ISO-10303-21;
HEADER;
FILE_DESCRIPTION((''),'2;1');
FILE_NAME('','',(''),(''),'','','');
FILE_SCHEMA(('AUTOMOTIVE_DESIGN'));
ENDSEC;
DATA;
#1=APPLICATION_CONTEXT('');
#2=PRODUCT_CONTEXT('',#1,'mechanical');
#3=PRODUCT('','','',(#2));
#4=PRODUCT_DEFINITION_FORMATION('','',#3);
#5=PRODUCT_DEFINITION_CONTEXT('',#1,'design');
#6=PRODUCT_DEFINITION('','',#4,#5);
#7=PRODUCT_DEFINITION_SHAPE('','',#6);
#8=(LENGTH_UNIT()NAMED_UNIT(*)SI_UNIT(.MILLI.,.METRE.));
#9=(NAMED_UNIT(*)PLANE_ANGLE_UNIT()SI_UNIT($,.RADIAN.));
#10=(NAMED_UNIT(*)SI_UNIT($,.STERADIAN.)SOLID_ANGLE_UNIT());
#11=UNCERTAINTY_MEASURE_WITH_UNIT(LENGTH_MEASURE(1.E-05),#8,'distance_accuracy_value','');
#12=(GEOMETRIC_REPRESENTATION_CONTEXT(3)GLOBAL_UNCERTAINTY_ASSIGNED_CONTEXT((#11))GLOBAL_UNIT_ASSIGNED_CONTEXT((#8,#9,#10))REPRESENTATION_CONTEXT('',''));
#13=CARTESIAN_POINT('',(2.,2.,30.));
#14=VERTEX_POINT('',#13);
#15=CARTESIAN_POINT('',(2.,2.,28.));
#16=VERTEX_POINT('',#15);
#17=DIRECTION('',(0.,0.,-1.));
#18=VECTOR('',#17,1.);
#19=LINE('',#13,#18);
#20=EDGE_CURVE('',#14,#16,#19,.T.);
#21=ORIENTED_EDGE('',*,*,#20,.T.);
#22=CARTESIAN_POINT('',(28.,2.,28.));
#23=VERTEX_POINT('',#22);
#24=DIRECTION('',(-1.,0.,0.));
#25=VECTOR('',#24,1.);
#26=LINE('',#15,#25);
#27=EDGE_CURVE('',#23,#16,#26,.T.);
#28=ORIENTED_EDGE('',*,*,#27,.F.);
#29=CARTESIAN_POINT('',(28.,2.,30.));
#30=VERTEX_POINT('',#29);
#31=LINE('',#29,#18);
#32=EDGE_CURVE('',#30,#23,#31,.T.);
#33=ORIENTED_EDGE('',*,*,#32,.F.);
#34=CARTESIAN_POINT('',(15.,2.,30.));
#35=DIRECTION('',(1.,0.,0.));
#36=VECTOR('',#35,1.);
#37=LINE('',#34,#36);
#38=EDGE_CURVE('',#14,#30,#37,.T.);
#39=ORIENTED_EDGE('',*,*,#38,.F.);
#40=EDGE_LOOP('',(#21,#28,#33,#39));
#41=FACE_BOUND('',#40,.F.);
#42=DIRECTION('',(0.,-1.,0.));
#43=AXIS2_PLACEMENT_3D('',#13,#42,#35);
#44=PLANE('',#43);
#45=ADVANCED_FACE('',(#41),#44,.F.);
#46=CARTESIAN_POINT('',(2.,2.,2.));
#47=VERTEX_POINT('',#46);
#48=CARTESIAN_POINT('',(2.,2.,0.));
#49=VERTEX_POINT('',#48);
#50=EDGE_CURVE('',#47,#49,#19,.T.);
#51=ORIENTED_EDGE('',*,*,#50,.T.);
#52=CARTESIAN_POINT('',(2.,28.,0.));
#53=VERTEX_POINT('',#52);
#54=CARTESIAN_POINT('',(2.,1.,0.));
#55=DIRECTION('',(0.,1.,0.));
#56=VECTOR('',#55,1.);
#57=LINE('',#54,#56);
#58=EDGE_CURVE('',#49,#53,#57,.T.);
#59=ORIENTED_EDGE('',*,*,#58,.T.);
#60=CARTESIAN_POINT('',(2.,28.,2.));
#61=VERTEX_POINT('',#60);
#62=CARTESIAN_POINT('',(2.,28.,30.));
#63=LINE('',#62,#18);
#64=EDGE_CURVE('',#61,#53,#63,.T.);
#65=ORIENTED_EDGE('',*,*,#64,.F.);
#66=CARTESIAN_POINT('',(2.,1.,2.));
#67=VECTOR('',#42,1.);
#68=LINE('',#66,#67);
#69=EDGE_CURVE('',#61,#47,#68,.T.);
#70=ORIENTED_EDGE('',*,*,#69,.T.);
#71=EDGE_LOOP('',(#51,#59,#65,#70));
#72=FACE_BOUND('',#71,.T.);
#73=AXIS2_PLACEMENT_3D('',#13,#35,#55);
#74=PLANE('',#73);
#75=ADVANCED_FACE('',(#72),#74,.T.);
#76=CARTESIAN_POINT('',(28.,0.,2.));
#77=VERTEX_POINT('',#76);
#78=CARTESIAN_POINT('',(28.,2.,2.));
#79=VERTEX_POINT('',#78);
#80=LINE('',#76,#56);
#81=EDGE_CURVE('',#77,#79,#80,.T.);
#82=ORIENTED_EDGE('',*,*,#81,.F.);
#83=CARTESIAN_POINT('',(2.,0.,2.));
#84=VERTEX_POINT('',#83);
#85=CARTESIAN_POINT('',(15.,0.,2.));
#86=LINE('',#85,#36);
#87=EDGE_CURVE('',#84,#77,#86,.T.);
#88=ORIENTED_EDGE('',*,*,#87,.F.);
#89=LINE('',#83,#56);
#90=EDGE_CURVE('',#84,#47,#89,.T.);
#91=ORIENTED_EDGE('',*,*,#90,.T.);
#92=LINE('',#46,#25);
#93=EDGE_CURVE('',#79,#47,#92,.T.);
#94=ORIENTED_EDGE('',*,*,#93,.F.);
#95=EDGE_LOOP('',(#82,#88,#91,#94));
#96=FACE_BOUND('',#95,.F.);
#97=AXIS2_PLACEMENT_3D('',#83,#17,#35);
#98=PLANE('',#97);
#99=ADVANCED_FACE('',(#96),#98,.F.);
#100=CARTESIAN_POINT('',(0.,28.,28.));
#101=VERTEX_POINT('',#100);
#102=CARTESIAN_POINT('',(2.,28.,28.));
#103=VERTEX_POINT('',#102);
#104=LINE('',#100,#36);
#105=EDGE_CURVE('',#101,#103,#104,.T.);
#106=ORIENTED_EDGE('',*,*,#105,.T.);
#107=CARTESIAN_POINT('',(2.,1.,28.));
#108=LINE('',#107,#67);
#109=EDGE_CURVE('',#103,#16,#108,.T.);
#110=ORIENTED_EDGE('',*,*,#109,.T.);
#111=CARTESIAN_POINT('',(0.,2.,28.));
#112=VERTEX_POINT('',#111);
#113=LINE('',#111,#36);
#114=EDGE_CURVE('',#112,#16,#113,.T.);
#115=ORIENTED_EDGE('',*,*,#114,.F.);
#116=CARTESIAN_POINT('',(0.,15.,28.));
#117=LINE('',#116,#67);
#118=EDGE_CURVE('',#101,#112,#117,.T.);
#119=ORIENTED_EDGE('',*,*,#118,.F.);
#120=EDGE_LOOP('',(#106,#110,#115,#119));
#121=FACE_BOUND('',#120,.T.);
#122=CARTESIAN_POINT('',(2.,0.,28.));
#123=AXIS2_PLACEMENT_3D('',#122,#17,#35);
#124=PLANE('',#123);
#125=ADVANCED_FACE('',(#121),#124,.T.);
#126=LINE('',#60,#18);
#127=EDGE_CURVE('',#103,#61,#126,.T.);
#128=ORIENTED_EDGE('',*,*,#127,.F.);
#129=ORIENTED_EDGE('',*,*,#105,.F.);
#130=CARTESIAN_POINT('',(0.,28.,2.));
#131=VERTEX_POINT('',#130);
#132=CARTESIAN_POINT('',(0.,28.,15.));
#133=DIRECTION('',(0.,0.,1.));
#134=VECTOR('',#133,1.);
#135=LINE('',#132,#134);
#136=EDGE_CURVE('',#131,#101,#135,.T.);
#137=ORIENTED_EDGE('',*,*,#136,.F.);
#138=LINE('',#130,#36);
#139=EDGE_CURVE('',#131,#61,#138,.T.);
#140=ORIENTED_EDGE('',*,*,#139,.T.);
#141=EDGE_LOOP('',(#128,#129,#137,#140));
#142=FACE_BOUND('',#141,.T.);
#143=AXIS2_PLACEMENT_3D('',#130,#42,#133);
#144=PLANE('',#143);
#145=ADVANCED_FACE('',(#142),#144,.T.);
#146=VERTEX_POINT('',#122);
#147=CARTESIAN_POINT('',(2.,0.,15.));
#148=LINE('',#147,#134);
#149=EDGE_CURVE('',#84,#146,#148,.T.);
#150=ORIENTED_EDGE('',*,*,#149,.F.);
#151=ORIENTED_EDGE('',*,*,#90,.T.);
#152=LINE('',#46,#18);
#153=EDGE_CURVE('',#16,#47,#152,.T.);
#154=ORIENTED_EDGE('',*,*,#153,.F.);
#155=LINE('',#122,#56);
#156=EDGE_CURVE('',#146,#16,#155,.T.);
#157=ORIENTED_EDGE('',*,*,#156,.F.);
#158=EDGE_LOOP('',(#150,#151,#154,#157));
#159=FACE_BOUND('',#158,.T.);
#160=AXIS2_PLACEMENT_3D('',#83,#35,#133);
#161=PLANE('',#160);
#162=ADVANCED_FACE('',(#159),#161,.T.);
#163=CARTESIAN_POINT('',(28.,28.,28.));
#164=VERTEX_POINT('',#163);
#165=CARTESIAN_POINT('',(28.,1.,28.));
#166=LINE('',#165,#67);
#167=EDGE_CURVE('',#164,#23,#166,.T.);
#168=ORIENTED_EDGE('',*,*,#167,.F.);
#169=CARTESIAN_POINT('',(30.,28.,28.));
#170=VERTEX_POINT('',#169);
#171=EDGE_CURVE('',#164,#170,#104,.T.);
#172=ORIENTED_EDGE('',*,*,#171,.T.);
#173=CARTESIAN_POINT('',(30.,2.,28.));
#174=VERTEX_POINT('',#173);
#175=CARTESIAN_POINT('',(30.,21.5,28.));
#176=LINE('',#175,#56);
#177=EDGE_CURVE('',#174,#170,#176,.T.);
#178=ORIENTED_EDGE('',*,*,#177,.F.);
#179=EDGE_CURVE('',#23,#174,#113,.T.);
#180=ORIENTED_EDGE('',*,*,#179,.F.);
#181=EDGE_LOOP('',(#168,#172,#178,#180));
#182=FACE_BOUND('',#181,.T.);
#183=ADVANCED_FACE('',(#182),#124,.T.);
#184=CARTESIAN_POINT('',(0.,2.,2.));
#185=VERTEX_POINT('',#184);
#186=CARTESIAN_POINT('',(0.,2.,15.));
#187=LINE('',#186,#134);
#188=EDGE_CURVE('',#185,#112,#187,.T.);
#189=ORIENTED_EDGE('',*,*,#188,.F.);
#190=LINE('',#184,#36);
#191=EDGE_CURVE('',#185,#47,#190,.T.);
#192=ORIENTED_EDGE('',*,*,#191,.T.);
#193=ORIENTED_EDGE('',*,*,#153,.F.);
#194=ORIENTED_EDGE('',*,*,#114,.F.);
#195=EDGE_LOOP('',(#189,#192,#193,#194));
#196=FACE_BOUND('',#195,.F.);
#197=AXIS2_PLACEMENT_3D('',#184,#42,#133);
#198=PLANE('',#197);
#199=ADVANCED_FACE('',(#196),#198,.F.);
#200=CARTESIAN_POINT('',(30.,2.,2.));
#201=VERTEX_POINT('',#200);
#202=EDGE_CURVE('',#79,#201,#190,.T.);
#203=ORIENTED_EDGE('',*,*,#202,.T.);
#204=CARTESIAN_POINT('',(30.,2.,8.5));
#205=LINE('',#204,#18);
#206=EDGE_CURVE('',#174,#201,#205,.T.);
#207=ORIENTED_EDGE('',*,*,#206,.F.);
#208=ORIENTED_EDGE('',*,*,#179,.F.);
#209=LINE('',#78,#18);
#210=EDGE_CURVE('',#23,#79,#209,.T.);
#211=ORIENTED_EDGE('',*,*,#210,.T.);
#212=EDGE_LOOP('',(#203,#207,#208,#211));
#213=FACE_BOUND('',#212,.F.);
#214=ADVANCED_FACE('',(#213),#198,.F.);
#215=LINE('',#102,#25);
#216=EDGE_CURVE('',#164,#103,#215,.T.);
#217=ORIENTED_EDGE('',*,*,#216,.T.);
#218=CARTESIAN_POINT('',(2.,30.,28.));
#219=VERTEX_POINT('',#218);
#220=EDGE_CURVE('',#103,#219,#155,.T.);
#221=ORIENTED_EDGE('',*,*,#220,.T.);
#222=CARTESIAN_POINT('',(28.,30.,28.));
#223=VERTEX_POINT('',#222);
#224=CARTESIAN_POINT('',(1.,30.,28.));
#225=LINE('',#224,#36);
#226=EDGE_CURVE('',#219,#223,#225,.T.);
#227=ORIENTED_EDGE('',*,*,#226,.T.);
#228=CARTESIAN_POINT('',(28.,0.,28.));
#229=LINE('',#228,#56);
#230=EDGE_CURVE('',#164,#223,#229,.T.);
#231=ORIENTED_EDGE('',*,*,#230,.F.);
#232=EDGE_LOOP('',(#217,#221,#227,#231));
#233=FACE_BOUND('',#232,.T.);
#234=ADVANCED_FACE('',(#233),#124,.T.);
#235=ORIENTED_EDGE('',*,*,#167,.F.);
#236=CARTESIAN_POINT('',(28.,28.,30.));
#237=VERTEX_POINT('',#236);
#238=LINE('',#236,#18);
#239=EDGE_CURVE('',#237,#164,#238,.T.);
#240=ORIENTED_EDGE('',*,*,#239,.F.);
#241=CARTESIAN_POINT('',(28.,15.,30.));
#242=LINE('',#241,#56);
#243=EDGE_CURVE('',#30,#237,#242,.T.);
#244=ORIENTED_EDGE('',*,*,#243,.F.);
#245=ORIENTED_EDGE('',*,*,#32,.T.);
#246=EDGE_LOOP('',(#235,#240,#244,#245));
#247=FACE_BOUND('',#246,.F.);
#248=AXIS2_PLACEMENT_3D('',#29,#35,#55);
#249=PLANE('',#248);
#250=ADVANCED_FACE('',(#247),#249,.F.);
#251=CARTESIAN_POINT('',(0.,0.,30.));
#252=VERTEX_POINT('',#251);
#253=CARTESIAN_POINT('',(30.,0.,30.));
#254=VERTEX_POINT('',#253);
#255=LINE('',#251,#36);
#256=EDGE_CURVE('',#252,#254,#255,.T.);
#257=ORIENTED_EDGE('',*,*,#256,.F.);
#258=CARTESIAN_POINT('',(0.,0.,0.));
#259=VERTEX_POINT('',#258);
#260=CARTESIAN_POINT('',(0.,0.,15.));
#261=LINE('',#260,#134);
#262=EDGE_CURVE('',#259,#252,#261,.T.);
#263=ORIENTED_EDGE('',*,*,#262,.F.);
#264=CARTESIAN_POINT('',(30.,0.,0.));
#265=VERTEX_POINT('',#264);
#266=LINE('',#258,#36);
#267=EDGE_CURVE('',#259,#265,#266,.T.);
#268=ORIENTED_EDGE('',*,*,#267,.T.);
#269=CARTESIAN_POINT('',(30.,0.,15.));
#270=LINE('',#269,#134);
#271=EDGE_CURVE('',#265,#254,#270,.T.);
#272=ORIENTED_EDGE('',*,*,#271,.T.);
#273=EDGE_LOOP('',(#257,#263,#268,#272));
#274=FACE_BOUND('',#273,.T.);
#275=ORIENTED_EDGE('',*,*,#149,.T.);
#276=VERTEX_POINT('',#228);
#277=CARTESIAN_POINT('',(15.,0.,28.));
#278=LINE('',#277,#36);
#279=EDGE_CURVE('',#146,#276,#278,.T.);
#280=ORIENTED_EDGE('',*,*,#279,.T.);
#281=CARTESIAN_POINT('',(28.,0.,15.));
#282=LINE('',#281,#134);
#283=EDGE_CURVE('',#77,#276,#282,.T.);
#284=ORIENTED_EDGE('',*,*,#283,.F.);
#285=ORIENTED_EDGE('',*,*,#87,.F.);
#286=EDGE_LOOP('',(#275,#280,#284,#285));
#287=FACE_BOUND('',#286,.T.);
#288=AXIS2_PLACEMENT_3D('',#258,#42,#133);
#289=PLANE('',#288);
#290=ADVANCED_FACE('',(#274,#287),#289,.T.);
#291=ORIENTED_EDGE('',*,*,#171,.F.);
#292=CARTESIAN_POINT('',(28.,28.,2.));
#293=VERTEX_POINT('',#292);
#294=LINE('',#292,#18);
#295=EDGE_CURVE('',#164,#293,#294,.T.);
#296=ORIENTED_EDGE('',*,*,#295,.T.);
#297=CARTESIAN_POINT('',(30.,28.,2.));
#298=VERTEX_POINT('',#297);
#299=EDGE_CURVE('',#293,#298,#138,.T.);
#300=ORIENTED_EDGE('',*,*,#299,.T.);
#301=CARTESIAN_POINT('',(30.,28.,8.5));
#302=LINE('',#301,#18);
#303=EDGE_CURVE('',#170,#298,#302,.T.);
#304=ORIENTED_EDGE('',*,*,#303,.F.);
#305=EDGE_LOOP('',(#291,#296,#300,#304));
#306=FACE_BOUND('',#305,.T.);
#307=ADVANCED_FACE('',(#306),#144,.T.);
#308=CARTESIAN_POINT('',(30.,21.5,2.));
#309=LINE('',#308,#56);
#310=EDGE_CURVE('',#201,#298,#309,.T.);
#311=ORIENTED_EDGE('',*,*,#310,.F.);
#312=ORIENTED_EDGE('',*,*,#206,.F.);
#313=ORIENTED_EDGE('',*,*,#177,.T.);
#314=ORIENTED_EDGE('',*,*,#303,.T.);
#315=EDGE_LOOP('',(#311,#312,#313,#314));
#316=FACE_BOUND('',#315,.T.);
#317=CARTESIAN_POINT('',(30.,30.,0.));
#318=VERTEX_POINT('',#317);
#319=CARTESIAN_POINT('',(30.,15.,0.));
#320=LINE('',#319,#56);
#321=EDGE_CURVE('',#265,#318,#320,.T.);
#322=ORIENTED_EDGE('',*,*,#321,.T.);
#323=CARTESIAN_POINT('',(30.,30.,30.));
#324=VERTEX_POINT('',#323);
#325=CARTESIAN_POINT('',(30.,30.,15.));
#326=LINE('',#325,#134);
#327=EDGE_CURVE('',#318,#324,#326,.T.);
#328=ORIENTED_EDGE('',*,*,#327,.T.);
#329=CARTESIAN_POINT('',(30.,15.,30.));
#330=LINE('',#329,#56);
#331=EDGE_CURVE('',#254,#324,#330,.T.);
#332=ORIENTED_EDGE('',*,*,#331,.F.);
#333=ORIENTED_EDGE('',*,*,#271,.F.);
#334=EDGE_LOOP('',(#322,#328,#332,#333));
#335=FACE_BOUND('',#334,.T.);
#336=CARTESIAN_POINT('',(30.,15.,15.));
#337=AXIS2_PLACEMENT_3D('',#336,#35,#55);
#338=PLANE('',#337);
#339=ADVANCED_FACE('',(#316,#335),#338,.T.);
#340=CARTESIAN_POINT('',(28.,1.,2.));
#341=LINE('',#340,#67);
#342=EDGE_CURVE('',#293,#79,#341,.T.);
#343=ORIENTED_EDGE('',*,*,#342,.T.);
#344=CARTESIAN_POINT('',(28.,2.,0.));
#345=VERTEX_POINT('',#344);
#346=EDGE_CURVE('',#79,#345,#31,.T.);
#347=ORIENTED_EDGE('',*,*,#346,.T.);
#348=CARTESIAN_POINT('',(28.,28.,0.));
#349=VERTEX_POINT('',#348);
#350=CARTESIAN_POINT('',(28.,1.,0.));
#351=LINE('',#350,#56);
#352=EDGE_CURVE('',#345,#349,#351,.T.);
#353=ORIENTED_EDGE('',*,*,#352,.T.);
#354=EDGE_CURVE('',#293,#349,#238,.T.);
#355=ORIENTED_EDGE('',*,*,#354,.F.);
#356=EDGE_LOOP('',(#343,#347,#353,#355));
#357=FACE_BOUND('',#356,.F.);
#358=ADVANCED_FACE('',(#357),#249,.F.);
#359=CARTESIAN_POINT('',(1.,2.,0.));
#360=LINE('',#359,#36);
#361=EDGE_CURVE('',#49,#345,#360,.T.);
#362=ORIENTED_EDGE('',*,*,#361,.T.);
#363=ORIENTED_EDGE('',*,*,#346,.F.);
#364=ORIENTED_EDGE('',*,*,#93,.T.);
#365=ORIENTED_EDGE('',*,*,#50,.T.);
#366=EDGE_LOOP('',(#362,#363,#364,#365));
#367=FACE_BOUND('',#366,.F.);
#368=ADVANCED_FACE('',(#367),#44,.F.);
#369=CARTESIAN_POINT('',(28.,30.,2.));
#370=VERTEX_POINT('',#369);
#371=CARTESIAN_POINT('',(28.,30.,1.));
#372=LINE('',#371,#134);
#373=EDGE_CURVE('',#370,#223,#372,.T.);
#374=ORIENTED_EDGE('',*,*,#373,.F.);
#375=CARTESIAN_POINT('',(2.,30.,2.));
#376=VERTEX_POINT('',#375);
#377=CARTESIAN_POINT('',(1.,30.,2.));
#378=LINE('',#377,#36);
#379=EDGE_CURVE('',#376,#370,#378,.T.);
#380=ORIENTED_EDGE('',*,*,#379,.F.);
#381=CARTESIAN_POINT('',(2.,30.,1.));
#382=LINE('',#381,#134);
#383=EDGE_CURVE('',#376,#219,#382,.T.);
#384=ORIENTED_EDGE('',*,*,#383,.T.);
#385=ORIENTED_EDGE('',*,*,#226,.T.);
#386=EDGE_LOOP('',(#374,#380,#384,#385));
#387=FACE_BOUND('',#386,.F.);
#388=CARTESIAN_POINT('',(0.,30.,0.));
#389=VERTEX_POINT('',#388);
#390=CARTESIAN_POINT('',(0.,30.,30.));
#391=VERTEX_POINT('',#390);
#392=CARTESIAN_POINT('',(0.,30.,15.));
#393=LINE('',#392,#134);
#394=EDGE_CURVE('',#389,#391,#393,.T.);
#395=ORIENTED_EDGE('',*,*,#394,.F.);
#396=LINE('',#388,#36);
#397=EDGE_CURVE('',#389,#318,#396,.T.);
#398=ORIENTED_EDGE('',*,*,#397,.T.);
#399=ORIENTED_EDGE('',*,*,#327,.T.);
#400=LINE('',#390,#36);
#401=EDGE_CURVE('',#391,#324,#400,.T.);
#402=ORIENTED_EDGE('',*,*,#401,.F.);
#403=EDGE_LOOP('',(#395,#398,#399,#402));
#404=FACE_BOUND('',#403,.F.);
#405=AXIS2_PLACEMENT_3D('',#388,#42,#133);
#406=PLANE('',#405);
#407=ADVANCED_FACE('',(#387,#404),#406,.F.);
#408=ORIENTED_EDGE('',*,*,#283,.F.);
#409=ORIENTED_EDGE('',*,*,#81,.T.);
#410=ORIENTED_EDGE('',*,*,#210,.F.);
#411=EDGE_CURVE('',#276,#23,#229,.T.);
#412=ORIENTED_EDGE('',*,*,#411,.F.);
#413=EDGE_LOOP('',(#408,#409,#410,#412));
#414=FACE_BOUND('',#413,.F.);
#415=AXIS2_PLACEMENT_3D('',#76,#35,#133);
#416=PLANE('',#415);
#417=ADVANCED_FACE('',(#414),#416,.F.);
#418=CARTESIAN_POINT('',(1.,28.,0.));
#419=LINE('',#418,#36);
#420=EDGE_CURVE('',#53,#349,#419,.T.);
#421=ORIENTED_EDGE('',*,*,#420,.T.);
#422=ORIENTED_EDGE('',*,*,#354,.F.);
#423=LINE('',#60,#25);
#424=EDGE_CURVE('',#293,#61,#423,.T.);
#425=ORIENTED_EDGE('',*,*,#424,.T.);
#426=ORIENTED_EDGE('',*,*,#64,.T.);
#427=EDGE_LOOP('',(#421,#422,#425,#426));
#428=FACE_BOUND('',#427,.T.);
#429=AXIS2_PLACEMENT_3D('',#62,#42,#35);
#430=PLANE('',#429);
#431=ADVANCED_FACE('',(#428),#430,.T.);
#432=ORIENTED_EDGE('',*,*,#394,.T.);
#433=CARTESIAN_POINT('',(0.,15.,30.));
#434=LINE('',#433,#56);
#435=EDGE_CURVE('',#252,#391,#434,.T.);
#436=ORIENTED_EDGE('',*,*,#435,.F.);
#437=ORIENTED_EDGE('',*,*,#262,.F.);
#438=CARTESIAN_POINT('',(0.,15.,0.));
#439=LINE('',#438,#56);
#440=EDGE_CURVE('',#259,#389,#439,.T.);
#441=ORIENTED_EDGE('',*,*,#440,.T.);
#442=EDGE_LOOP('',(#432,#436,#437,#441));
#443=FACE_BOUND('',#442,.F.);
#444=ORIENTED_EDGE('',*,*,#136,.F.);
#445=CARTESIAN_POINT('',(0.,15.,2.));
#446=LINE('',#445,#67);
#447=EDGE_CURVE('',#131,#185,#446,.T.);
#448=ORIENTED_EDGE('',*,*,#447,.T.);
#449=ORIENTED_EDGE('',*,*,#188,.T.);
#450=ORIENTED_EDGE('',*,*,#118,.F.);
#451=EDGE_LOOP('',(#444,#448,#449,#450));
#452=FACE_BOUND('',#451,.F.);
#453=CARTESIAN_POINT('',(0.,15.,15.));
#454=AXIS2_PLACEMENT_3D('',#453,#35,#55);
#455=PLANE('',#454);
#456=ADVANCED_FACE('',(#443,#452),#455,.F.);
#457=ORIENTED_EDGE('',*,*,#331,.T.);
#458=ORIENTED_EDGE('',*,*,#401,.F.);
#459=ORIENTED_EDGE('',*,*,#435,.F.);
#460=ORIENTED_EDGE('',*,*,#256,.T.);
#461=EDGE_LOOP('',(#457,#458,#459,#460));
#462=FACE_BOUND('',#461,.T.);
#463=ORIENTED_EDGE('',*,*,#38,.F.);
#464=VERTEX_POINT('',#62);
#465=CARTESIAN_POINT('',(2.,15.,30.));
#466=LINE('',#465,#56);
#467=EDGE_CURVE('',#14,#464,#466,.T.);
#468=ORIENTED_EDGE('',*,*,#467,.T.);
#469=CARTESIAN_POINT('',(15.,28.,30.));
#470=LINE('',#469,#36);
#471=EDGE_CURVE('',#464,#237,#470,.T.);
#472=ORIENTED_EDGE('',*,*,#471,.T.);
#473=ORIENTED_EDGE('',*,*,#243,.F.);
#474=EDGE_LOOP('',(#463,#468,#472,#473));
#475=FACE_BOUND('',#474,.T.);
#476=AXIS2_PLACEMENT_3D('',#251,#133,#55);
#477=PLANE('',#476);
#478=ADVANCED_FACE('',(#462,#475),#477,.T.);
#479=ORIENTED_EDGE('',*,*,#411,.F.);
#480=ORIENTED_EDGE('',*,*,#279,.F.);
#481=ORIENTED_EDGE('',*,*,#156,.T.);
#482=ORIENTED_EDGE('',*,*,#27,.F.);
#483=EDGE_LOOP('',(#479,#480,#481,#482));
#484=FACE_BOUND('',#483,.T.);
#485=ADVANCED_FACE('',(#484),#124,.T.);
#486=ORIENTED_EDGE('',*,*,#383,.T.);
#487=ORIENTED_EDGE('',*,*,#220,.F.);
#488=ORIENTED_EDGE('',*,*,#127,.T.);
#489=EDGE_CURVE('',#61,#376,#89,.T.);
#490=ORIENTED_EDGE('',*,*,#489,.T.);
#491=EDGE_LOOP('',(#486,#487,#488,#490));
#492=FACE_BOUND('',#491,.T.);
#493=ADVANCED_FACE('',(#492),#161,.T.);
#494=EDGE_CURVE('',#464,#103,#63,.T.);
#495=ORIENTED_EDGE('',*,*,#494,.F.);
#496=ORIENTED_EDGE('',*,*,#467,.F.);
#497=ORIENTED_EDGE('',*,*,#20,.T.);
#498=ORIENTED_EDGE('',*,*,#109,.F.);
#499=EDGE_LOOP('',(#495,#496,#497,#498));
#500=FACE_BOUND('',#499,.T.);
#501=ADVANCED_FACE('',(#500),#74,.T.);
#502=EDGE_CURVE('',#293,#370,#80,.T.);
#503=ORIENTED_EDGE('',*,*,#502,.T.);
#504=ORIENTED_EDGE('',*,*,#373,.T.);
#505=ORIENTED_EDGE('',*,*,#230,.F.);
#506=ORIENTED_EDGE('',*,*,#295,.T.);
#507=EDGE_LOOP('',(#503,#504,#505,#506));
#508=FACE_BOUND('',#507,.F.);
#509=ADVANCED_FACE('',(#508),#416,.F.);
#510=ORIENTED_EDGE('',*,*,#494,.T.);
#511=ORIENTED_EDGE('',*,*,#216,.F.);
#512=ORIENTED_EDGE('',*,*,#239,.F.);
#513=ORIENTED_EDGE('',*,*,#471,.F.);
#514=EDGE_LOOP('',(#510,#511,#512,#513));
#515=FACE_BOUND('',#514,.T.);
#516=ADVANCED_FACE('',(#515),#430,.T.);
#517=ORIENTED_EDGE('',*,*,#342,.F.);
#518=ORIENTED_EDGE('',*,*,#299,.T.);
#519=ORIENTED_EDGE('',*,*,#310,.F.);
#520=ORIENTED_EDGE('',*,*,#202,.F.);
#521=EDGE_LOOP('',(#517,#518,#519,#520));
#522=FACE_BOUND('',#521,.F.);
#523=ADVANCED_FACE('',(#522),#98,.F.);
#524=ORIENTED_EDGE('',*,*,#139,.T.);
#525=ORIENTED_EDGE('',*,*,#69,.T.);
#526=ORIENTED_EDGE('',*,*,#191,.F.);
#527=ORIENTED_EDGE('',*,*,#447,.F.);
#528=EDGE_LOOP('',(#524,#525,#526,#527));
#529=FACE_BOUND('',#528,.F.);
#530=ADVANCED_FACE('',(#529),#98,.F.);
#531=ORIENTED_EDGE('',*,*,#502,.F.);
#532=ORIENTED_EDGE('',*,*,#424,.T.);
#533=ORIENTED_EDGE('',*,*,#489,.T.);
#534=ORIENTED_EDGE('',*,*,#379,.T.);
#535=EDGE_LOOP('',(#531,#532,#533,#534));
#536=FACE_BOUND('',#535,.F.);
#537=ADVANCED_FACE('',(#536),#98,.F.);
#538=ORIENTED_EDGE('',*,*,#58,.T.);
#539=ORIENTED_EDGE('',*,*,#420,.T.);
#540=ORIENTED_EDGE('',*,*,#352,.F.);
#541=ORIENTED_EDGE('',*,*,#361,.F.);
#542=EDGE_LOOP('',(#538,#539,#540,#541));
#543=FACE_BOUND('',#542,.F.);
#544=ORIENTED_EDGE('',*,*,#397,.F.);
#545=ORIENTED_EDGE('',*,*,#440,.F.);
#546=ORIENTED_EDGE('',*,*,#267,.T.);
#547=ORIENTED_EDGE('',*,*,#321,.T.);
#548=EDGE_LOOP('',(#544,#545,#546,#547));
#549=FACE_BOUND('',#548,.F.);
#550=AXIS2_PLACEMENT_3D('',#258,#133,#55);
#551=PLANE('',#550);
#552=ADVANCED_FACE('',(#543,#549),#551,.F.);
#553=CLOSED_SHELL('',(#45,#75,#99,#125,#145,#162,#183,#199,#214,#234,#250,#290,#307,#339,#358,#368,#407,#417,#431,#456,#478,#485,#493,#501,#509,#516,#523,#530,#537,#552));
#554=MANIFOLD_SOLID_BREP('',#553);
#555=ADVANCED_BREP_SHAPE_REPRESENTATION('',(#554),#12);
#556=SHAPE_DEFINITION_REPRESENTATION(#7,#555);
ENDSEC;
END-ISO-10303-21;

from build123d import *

# Parameters (mm, degrees)
F0_W     = 30
F0_H     = 30
F1_DEPTH = 30
F2_W     = 26
F2_H     = 26
F3_DEPTH = 30.001
F4_W     = 26
F4_H     = 26
F5_DEPTH = 30.001
F6_W     = 26
F6_H     = 26
F7_DEPTH = 30.001


with BuildPart() as f1:
    # F0 (on Right) → F1 (new body)
    with BuildSketch(Plane.YZ):
        with Locations((15, 15)):
            Rectangle(F0_W, F0_H)
    extrude(amount=F1_DEPTH)

    # F2 (on face) → F3 (cut, through all)
    with BuildSketch(Plane.XZ):
        with Locations((15, 15)):
            Rectangle(F2_W, F2_H)
    extrude(amount=-F3_DEPTH, mode=Mode.SUBTRACT)

    # F4 (on face) → F5 (cut, through all)
    with BuildSketch(Plane(origin=(0, 0, 0), x_dir=(0, -1, 0), z_dir=(-1, 0, 0))):
        with Locations((-15, 15)):
            Rectangle(F4_W, F4_H)
    extrude(amount=-F5_DEPTH, mode=Mode.SUBTRACT)

    # F6 (on face) → F7 (cut, through all)
    with BuildSketch(Plane.XY.offset(30)):
        with Locations((15, 15)):
            Rectangle(F6_W, F6_H)
    extrude(amount=-F7_DEPTH, mode=Mode.SUBTRACT)


solid = f1.part
